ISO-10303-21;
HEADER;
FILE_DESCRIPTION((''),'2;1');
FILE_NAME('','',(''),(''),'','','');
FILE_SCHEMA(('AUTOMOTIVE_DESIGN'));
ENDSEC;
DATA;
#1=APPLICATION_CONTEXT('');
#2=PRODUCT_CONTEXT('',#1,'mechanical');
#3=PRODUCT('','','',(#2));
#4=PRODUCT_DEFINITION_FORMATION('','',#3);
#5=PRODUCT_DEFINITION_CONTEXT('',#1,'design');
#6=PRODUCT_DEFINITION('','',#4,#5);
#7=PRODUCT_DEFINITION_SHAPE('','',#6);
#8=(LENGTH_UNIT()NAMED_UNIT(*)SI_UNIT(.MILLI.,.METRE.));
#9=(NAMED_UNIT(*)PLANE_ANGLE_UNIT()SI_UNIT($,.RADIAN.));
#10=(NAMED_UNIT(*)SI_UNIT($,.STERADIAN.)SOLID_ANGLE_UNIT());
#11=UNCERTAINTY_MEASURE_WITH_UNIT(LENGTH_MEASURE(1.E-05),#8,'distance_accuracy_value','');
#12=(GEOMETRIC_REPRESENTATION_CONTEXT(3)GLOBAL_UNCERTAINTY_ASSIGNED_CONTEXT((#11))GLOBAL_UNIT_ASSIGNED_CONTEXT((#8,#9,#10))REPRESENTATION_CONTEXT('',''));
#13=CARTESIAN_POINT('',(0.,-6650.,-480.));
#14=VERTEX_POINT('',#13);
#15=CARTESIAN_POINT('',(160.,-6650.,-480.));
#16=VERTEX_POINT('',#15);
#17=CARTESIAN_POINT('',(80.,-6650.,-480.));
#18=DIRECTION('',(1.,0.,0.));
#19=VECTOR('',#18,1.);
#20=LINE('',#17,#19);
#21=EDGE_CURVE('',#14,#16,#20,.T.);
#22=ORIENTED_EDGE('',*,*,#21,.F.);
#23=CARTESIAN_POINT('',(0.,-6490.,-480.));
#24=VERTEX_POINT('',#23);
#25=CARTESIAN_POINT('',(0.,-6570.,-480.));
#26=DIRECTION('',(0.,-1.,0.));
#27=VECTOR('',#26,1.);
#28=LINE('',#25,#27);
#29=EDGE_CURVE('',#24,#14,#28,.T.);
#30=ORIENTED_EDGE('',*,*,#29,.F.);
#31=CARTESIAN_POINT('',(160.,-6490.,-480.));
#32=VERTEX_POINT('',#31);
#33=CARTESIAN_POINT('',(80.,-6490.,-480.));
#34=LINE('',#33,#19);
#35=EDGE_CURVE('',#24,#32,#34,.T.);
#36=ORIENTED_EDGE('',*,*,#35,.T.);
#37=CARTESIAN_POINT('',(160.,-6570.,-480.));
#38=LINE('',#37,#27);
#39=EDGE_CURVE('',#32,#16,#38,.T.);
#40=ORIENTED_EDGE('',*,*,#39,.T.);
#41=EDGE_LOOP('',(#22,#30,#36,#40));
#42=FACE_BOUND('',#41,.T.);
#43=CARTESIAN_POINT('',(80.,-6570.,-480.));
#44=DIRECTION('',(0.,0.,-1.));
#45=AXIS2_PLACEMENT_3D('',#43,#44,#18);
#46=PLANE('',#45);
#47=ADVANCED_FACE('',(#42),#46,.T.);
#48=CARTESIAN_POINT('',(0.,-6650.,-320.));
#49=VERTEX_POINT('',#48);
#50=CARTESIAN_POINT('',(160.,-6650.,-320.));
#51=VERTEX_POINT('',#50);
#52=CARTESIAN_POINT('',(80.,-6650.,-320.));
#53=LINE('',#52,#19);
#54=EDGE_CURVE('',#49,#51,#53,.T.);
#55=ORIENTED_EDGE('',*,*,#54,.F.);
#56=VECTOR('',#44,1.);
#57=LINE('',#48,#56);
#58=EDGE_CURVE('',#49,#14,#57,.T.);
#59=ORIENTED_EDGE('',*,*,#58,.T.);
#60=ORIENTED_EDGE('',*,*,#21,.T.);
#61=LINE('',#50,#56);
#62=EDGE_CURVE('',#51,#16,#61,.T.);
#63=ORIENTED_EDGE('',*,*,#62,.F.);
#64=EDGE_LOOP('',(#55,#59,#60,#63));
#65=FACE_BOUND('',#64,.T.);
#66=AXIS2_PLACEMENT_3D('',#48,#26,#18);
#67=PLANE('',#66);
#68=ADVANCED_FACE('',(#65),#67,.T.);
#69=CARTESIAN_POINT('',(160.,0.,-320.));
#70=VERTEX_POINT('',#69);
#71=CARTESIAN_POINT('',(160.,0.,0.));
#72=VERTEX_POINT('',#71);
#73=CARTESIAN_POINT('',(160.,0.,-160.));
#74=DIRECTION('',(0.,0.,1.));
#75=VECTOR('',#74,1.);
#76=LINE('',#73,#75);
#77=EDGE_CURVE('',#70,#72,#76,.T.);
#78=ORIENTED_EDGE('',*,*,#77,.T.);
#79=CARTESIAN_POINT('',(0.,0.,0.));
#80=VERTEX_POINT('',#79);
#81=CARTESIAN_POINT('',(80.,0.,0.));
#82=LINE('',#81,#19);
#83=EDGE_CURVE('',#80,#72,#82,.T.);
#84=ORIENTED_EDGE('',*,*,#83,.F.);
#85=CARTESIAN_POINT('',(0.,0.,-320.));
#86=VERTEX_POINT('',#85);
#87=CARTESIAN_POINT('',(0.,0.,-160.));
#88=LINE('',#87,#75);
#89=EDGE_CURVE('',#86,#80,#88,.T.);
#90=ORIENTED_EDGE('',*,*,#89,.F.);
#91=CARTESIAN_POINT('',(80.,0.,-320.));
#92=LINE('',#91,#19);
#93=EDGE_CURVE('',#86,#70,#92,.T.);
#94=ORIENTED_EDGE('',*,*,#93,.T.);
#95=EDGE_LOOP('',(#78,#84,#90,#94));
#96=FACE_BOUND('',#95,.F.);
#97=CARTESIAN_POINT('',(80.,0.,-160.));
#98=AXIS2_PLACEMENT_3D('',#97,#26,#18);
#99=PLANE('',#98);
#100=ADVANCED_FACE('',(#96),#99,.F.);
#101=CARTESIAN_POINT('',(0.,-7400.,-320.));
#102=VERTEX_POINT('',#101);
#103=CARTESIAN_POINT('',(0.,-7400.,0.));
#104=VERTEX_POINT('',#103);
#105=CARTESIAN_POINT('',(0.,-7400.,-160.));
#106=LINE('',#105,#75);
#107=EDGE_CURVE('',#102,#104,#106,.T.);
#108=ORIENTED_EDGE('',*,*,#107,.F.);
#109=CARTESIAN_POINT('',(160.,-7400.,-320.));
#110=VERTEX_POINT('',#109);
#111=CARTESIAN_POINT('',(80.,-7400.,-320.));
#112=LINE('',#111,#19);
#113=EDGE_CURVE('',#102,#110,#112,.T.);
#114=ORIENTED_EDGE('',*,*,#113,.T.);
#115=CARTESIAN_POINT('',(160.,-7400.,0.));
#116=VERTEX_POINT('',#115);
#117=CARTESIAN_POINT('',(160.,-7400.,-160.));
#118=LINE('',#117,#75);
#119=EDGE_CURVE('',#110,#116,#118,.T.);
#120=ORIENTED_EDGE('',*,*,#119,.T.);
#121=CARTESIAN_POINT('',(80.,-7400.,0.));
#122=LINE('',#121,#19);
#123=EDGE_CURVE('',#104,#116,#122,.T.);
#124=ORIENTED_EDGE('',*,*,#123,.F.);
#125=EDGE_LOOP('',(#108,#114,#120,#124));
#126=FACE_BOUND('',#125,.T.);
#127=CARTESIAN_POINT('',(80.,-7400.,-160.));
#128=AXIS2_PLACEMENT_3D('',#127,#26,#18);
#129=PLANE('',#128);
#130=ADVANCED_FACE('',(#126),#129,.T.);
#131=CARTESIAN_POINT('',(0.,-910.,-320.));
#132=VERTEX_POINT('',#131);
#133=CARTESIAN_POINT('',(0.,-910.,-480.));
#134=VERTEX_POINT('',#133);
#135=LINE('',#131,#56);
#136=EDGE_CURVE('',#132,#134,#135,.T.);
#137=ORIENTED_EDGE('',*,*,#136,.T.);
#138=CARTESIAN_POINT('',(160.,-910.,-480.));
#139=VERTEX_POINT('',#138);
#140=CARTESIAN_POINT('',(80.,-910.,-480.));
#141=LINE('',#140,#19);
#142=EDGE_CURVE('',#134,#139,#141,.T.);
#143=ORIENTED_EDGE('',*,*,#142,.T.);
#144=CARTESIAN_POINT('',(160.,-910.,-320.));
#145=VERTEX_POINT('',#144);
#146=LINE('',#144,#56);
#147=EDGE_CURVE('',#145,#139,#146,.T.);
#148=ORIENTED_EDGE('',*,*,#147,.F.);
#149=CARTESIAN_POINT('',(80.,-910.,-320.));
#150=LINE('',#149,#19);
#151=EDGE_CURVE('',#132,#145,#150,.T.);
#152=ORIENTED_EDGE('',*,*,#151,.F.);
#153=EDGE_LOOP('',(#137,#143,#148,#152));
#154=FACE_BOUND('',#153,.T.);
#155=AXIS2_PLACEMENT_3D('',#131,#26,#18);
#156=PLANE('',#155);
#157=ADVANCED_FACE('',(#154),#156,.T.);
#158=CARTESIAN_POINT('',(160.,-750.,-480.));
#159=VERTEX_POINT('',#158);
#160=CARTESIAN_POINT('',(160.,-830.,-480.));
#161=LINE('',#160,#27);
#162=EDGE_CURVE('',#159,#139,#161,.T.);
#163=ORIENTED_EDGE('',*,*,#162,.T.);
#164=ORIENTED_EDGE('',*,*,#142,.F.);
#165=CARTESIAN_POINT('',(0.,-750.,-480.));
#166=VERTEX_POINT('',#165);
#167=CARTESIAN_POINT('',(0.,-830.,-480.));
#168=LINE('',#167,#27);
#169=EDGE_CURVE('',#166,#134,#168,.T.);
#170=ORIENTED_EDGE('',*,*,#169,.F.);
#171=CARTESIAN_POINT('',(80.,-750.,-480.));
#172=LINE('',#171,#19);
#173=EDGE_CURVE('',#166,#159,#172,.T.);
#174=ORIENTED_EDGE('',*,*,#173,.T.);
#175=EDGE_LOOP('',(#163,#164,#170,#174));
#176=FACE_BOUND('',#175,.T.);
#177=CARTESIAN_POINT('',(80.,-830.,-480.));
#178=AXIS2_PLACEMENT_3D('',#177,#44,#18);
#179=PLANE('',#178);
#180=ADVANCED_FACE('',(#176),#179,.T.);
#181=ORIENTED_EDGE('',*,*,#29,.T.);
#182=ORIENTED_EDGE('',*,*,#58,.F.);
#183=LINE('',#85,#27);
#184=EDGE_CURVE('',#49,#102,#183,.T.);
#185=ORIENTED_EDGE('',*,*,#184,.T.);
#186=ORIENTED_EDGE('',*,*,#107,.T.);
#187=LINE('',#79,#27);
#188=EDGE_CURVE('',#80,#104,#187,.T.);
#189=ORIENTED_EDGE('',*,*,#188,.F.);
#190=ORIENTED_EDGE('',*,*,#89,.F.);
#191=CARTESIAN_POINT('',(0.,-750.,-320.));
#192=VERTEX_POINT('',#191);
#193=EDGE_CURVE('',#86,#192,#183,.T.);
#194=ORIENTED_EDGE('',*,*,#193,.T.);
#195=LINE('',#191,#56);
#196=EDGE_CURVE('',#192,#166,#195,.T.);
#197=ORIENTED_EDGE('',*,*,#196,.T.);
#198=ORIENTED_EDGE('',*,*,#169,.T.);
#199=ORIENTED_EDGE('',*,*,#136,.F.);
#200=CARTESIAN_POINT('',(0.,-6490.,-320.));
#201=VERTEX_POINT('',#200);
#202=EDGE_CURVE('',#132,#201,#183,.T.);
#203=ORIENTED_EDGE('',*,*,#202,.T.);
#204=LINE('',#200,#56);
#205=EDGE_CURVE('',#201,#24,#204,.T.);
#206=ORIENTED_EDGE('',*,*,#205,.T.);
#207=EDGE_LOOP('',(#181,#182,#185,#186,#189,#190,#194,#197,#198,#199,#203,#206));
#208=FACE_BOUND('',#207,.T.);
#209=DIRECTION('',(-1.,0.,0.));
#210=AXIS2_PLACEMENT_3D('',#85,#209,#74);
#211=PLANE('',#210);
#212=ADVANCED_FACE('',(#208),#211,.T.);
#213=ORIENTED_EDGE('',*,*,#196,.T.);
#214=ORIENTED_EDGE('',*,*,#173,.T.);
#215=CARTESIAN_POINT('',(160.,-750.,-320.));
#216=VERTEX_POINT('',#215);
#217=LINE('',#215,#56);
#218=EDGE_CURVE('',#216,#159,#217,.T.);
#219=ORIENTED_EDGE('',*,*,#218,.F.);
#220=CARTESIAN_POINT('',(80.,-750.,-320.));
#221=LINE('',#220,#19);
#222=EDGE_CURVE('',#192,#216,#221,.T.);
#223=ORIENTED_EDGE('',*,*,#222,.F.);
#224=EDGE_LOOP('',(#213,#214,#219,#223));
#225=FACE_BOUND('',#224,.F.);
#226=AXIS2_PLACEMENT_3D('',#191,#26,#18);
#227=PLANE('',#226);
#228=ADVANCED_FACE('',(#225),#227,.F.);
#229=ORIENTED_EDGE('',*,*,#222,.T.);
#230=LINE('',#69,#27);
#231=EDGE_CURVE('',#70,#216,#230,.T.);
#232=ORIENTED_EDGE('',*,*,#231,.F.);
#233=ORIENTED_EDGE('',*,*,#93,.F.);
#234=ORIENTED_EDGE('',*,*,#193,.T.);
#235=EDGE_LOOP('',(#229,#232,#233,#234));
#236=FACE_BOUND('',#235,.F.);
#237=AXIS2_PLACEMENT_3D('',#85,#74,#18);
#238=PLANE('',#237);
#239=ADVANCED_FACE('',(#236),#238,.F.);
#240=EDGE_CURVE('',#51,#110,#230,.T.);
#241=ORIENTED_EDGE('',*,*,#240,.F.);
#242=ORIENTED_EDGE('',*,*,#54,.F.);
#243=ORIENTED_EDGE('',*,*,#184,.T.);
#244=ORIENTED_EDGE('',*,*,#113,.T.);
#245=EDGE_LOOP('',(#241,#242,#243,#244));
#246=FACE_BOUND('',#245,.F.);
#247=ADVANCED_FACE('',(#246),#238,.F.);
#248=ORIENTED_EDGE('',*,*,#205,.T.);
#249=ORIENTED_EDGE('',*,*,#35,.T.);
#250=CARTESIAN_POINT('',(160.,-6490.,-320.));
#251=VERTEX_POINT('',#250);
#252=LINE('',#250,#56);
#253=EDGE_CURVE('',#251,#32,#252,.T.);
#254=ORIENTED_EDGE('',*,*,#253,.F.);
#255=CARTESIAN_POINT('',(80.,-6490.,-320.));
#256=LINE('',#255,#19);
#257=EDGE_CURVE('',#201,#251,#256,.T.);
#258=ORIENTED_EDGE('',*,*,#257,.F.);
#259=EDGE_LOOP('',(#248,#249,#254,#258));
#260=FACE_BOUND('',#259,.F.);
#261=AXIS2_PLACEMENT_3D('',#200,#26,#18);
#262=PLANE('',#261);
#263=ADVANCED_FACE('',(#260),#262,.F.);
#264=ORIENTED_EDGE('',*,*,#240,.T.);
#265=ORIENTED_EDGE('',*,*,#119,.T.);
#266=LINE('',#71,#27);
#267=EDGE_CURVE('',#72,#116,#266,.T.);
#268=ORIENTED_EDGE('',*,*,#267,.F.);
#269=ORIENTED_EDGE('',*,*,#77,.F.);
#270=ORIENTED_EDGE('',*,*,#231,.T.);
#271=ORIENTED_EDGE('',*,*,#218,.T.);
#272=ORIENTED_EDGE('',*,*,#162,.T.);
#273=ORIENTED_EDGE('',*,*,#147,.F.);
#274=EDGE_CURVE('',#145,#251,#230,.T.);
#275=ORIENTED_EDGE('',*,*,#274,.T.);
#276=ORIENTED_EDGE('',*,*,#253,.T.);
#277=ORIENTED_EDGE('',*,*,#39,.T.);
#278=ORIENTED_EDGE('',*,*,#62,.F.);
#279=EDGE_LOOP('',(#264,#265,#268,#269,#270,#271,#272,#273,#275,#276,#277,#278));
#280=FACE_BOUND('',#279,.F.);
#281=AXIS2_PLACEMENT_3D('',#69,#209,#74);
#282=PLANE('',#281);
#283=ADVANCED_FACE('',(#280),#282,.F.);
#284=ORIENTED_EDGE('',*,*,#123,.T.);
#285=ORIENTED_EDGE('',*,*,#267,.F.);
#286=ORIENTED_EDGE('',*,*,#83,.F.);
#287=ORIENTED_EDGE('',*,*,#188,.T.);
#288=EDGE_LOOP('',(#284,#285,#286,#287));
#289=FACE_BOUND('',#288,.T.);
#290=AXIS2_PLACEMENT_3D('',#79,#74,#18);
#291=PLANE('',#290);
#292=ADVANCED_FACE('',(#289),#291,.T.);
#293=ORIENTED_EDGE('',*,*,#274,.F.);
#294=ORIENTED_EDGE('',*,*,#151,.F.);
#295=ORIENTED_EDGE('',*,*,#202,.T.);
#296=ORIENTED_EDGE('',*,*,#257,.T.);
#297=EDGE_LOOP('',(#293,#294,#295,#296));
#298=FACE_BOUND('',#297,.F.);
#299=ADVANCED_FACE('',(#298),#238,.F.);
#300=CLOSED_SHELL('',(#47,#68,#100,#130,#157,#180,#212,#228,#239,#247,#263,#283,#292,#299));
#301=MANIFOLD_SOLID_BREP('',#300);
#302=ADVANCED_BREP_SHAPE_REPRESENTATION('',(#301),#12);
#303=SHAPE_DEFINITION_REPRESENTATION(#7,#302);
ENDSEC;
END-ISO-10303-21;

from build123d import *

# Parameters (mm, degrees)
F0_W     = 160
F0_H     = 320
F1_DEPTH = 7400
F2_W     = 160
F2_H     = 160
F3_DEPTH = 160


with BuildPart() as f1:
    # F0 (on Front) → F1 (new body)
    with BuildSketch(Plane.XZ):
        with Locations((80, -160)):
            Rectangle(F0_W, F0_H)
    extrude(amount=F1_DEPTH)

    # F2 (on face) → F3 (join)
    with BuildSketch(Plane(origin=(0, 0, -320), x_dir=(1, 0, 0), z_dir=(0, 0, -1))):
        with Locations((80, 6570)):
            Rectangle(F2_W, F2_H)
        with Locations((80, 830)):
            Rectangle(F2_W, F2_H)
    extrude(amount=F3_DEPTH)


solid = f1.part
